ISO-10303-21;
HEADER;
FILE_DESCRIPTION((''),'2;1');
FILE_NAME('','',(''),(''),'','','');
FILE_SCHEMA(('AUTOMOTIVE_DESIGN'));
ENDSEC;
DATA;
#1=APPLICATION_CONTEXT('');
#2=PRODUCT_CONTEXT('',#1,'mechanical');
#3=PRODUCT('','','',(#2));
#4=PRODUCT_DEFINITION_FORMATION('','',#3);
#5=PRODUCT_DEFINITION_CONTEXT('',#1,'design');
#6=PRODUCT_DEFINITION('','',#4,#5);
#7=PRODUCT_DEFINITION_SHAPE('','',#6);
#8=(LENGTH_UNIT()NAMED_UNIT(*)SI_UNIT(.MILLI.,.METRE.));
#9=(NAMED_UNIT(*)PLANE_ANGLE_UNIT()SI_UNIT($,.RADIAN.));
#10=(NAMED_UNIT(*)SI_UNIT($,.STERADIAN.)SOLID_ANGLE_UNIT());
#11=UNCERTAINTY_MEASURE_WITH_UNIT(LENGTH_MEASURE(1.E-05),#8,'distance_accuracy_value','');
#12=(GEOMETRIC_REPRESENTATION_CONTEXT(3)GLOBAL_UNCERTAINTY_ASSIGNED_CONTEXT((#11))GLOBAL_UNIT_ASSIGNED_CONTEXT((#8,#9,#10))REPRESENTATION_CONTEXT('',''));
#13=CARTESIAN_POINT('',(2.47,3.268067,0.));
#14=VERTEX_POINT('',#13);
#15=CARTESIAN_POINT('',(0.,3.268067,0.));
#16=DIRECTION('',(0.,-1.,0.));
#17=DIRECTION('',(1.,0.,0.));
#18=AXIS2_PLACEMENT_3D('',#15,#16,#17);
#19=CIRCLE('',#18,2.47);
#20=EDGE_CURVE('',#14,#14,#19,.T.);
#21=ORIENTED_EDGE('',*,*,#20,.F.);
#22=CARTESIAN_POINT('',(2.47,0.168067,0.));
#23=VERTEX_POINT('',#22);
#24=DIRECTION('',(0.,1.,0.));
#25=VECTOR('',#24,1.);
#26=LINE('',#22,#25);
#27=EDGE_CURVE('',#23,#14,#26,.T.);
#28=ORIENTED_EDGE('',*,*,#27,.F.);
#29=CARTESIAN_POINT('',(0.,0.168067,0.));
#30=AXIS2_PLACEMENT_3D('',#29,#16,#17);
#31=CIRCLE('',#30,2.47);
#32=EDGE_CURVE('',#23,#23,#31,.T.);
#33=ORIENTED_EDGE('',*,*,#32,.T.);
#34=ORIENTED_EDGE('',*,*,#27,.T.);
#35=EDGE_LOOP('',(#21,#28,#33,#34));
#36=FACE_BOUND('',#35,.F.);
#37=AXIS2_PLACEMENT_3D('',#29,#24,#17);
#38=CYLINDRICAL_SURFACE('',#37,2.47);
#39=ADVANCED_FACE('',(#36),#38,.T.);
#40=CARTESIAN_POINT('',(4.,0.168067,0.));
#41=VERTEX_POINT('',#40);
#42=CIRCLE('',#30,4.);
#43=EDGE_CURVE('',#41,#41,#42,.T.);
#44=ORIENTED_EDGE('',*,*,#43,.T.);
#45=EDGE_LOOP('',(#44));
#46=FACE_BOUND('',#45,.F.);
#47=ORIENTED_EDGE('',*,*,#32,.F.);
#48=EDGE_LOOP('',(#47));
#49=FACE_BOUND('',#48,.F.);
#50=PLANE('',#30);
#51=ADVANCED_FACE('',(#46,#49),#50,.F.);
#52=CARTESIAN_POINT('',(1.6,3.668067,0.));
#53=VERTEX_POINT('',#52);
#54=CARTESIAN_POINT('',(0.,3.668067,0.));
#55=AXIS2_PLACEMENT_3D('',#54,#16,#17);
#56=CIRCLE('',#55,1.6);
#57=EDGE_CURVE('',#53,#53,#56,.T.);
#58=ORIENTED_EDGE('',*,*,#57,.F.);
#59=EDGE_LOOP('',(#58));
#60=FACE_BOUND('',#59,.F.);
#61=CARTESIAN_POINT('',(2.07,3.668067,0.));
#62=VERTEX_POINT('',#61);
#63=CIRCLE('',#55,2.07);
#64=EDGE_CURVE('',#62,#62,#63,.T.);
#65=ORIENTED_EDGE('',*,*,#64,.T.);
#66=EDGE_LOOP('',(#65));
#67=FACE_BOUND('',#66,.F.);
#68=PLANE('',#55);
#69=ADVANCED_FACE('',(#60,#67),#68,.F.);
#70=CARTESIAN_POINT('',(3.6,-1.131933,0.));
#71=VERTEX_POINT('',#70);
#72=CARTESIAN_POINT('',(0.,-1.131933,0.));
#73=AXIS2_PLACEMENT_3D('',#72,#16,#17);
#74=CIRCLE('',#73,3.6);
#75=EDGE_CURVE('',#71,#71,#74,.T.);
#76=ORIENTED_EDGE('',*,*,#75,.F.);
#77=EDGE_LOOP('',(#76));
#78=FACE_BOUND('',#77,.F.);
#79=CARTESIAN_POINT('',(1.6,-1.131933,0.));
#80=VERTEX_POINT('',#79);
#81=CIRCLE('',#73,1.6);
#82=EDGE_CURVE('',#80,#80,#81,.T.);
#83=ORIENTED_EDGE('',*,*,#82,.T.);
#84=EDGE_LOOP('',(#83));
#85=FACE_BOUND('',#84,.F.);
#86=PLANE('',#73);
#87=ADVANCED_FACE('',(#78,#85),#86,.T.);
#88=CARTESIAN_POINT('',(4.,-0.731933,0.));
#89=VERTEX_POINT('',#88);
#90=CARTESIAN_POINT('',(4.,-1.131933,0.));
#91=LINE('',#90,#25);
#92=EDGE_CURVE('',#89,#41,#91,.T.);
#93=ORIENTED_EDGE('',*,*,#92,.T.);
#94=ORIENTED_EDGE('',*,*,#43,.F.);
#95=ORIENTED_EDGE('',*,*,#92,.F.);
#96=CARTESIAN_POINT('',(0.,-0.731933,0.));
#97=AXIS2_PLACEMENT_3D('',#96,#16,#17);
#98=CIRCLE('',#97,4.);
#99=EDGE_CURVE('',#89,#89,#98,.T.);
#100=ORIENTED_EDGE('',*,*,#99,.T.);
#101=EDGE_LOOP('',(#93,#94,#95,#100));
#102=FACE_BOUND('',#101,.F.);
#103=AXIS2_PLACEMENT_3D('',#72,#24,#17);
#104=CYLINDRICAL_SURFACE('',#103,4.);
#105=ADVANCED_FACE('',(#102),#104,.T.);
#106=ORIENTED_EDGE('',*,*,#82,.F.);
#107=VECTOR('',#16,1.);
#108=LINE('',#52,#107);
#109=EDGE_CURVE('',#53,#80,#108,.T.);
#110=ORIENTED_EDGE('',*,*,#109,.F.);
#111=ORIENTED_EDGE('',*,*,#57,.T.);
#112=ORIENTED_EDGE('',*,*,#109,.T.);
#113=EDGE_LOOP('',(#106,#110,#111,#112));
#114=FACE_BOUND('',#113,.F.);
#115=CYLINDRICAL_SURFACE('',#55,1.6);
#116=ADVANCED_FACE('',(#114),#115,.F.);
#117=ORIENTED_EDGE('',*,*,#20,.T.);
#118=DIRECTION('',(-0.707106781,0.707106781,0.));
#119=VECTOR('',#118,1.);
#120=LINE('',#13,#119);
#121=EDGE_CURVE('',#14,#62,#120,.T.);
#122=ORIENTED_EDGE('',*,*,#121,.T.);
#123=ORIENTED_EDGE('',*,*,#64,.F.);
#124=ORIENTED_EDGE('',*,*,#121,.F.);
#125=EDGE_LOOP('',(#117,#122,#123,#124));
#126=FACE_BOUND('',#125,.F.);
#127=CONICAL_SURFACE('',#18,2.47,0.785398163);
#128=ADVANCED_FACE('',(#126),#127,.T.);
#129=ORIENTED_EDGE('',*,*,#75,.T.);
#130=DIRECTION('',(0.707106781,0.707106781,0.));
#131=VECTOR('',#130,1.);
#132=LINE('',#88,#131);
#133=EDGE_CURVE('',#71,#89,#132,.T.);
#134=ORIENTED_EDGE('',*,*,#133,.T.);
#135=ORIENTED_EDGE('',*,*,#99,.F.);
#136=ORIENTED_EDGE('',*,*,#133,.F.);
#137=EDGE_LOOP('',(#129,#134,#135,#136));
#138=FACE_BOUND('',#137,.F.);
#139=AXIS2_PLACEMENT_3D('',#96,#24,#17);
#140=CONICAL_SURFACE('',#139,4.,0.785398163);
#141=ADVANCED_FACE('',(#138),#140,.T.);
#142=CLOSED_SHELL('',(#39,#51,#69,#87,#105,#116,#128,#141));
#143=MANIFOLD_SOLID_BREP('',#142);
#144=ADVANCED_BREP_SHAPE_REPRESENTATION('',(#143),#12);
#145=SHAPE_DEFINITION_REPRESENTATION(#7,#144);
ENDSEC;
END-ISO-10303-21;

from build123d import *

# Parameters (mm, degrees)
CHANFREIN1_SIZE = 0.4


with BuildPart() as part:
    # Esquisse1 → Révolution1 (revolve)
    with BuildSketch(Plane.XY):
        Polygon((1.6, -1.131933067), (4, -1.131933067), (4, 0.168066933), (2.47, 0.168066933), (2.47, 3.668066933), (1.6, 3.668066933), align=None)
    revolve(axis=Axis((0, 4.72147651, 0), (0, -1, 0)))

    # Chanfrein1
    chanfrein1_edges = [part.edges().sort_by_distance(p)[0] for p in [
        (-4, -1.131933067, 0),
        (-2.47, 3.668066933, 0),
    ]]
    chamfer(chanfrein1_edges, length=CHANFREIN1_SIZE)


solid = part.part
